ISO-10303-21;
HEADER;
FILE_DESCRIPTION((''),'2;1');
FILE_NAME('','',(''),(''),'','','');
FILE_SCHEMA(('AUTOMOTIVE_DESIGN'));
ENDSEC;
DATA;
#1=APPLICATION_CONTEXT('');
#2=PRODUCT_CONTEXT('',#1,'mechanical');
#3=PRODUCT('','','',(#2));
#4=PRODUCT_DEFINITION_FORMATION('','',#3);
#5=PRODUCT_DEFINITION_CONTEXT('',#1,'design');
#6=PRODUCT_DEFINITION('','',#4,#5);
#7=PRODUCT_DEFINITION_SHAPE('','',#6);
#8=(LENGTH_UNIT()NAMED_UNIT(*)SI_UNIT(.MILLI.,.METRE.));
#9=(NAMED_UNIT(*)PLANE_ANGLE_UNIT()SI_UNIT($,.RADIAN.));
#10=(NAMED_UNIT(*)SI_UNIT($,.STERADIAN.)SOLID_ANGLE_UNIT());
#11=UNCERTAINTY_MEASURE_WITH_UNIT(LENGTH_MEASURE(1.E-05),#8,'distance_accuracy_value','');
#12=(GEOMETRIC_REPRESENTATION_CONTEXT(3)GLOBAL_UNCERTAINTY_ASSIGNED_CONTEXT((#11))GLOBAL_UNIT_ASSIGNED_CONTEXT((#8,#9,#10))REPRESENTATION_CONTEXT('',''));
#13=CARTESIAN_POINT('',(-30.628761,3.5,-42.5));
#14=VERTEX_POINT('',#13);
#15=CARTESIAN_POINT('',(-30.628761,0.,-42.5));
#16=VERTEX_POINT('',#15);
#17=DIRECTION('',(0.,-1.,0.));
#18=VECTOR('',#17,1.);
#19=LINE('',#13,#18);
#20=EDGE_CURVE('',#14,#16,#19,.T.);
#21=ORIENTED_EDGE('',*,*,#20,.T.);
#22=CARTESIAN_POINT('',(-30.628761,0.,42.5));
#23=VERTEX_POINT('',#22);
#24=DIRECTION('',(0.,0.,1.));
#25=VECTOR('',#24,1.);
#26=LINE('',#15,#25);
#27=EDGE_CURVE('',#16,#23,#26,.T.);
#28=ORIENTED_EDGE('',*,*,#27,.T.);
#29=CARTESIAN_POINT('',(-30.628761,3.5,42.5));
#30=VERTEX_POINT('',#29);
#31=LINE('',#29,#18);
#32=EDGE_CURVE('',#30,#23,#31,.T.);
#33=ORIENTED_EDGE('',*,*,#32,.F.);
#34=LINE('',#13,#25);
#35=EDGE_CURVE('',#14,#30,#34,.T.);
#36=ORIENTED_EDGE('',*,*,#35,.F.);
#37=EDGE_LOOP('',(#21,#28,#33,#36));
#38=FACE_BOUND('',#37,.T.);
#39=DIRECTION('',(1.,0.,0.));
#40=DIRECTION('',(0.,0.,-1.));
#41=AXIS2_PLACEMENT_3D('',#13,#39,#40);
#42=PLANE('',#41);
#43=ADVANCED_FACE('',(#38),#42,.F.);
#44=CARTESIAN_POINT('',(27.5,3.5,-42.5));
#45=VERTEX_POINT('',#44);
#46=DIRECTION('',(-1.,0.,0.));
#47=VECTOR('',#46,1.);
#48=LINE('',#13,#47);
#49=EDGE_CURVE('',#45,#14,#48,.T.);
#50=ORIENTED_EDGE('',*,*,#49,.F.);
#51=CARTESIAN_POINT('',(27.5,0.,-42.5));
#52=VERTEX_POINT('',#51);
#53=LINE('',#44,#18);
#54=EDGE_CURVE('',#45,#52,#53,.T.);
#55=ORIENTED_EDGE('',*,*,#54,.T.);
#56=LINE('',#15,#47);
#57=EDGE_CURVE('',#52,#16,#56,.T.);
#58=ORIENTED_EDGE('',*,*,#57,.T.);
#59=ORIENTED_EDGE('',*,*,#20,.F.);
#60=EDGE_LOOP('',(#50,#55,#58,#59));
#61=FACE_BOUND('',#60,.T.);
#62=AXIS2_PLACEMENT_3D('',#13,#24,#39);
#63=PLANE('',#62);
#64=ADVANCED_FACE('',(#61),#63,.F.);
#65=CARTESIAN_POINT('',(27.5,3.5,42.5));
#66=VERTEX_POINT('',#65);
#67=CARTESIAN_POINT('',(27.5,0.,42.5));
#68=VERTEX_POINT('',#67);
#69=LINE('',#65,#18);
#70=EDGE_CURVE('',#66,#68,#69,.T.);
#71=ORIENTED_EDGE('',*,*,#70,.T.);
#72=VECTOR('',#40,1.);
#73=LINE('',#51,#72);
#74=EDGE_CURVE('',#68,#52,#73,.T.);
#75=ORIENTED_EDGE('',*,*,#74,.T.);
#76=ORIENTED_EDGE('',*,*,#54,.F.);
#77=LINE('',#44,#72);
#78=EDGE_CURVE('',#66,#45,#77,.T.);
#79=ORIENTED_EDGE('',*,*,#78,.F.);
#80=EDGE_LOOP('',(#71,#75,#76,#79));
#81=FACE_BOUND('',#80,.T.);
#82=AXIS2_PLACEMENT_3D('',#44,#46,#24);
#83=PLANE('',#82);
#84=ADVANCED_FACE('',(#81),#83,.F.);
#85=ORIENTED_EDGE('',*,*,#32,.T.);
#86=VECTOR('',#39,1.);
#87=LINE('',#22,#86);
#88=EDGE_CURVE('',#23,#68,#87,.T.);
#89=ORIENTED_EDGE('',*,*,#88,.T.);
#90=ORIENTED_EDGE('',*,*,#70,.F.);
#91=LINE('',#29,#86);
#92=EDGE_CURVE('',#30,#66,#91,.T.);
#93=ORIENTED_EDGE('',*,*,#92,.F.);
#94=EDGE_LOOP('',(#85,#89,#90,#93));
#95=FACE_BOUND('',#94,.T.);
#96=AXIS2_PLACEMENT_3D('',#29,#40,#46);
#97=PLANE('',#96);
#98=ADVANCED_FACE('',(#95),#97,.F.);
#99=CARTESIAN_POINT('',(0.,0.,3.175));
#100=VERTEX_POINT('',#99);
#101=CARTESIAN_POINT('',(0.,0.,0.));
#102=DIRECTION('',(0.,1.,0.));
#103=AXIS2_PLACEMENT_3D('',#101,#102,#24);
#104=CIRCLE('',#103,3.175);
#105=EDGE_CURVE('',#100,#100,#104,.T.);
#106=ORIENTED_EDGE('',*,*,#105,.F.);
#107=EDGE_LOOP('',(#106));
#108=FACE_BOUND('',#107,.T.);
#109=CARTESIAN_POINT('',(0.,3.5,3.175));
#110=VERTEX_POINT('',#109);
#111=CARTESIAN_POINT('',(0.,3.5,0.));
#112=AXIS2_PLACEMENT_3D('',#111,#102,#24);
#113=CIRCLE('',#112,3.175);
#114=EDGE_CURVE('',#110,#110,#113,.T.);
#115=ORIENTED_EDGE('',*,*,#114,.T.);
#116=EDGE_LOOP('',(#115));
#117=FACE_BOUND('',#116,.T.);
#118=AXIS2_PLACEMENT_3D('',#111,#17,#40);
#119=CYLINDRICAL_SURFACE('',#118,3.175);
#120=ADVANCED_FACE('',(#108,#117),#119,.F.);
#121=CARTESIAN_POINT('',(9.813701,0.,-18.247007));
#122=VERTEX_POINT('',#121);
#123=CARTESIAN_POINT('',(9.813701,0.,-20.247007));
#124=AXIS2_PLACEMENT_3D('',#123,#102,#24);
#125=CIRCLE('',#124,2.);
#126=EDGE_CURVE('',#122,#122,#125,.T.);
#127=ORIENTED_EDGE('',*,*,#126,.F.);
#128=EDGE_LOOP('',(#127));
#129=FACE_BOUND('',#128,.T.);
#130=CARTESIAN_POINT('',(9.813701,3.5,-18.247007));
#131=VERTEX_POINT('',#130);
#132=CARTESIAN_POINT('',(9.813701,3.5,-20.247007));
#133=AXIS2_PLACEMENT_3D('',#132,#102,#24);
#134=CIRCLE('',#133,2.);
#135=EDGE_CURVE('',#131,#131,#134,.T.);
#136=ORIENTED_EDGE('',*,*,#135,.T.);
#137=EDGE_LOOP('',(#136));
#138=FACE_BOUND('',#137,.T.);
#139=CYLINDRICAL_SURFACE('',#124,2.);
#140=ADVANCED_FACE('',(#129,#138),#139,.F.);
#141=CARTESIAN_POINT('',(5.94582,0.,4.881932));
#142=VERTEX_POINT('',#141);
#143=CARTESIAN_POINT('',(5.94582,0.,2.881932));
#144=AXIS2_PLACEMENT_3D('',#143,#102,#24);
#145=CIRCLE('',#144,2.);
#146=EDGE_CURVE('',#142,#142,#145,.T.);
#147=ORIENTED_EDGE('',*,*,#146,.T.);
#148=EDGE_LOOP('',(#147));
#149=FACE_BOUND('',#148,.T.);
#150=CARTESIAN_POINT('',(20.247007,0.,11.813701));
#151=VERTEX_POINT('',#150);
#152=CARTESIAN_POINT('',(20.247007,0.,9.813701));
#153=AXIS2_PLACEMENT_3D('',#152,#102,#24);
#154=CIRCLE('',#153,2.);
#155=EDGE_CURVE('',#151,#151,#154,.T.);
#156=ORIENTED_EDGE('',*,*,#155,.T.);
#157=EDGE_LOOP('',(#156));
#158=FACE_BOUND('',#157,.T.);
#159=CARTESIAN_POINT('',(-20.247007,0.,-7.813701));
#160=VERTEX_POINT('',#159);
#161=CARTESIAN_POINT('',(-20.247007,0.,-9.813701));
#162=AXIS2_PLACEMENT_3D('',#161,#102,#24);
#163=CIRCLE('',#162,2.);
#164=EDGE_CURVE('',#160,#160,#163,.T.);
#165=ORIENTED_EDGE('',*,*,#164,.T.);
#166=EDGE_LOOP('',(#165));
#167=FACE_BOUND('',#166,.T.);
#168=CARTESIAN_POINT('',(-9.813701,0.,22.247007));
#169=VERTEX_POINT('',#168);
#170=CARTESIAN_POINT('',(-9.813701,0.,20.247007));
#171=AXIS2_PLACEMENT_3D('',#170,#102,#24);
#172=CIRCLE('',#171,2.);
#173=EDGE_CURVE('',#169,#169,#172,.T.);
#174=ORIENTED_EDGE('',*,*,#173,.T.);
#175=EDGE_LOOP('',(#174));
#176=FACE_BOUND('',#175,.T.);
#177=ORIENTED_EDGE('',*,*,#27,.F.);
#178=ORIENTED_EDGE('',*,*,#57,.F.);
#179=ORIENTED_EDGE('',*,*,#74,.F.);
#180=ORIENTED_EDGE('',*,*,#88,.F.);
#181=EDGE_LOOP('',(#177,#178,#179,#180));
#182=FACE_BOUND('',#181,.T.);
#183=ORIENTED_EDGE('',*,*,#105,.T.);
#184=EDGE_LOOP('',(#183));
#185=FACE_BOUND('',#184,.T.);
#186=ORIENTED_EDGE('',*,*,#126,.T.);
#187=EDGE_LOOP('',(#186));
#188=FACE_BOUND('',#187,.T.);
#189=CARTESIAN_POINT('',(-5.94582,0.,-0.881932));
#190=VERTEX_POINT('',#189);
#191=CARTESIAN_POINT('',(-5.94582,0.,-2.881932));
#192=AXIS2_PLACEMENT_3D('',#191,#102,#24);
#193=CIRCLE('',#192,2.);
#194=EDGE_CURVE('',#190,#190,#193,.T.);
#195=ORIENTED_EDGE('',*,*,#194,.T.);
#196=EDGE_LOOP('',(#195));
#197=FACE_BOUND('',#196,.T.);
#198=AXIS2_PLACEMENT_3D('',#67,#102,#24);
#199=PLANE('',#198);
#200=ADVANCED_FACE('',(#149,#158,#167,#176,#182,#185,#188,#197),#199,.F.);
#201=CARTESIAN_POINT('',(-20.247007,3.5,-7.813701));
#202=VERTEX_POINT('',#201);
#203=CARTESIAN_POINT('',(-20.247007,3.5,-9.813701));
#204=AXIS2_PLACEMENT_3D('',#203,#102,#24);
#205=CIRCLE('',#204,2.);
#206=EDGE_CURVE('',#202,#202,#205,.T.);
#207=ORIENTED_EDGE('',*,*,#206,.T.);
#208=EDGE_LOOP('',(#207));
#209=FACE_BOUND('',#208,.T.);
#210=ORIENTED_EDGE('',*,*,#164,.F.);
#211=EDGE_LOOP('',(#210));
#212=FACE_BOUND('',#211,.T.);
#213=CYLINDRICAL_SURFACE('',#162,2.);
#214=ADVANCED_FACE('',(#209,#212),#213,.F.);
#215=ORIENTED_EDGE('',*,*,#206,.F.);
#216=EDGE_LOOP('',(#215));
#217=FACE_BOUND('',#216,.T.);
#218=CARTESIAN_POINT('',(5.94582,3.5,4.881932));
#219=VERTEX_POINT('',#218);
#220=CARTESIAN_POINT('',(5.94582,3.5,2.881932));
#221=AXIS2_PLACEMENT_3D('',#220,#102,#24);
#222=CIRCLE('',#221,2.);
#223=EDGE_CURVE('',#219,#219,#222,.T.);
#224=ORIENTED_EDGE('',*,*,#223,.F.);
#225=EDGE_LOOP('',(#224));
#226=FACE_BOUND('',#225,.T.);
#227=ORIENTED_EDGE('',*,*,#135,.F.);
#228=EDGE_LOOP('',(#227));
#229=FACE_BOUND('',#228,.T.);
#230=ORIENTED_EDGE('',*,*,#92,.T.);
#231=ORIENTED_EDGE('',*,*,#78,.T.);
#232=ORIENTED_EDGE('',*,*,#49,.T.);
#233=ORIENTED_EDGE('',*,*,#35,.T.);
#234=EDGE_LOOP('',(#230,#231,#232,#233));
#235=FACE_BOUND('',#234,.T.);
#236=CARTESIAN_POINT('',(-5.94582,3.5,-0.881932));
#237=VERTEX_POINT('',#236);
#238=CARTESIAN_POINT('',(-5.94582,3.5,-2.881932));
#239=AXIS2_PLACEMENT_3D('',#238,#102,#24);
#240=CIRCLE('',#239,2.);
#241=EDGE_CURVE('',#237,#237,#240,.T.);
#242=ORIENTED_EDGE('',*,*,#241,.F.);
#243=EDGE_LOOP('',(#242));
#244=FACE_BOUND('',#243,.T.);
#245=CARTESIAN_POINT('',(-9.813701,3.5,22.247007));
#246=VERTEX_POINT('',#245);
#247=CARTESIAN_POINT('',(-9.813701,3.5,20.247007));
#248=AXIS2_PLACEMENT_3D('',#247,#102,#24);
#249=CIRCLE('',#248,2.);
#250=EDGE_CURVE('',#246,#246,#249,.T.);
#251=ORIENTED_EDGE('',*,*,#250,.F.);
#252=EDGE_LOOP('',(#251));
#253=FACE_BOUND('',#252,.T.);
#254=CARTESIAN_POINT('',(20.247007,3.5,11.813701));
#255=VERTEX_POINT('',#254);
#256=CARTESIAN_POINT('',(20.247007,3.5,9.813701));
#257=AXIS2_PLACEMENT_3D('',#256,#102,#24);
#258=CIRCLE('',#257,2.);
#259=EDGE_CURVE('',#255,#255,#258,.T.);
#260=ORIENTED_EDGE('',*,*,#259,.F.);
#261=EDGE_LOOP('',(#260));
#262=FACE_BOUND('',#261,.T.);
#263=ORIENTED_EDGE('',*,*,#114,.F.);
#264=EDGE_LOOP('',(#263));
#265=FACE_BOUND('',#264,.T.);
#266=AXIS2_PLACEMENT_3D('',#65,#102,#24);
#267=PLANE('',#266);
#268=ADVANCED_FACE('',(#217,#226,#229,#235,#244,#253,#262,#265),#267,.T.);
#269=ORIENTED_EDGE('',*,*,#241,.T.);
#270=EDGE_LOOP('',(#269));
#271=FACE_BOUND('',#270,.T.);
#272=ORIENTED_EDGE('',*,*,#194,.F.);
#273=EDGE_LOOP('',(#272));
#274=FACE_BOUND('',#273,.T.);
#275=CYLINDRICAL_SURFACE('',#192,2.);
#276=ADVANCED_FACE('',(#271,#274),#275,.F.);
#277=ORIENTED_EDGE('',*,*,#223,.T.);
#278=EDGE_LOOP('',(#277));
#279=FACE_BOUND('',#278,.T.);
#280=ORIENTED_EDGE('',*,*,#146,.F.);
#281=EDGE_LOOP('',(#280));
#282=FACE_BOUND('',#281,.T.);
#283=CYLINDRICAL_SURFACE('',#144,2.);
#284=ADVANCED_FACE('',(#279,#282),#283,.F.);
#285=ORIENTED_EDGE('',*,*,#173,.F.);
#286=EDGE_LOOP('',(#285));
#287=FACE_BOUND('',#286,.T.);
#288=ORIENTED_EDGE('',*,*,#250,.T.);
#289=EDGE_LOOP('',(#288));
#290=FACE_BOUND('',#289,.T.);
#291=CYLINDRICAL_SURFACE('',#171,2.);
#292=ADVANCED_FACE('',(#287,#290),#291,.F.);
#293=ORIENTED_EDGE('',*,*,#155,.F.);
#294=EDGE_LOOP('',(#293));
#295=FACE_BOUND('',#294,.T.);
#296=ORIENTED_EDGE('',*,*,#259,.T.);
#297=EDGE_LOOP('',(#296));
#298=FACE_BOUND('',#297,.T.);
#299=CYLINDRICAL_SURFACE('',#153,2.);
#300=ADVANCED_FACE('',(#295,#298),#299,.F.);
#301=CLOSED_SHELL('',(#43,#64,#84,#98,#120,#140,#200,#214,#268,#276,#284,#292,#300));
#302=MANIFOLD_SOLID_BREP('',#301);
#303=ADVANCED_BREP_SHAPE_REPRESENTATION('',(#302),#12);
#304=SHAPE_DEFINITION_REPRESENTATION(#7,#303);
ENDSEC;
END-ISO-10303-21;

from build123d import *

# Parameters (mm, degrees)
SKETCH_1_W          = 58.128760995
SKETCH_1_H          = 85
SKETCH_1_R          = 3.175
EXTRUDE_1_DEPTH     = 3.5
SKETCH_2_R          = 2
CUT_EXTRUDE_1_DEPTH = 53.503533215


with BuildPart() as part:
    # Эскиз1 → Вытянуть1 (new body)
    with BuildSketch(Plane(origin=(0, 0, 0), x_dir=(1, 0, 0), z_dir=(0, 1, 0))):
        with Locations((-1.564380498, 0)):
            Rectangle(SKETCH_1_W, SKETCH_1_H)
        with Locations(Location((0, 0, 0), (0, 0, 270))):
            Circle(SKETCH_1_R, mode=Mode.SUBTRACT)
    extrude(amount=EXTRUDE_1_DEPTH)

    # Эскиз2 → Вырез-Вытянуть1 (cut, through all)
    with BuildSketch(Plane(origin=(0, 3.5, 0), x_dir=(1, 0, 0), z_dir=(0, 1, 0))):
        with Locations(Location((-5.945819696, 2.881931911, 0), (0, 0, 270))):
            Circle(SKETCH_2_R)
        with Locations(Location((5.945819696, -2.881931911, 0), (0, 0, 270))):
            Circle(SKETCH_2_R)
        with Locations(Location((20.247006678, -9.813700656, 0), (0, 0, 270))):
            Circle(SKETCH_2_R)
        with Locations(Location((9.813700656, 20.247006678, 0), (0, 0, 270))):
            Circle(SKETCH_2_R)
        with Locations(Location((-9.813700656, -20.247006678, 0), (0, 0, 270))):
            Circle(SKETCH_2_R)
        with Locations(Location((-20.247006678, 9.813700656, 0), (0, 0, 270))):
            Circle(SKETCH_2_R)
    extrude(amount=-CUT_EXTRUDE_1_DEPTH, mode=Mode.SUBTRACT)


solid = part.part
